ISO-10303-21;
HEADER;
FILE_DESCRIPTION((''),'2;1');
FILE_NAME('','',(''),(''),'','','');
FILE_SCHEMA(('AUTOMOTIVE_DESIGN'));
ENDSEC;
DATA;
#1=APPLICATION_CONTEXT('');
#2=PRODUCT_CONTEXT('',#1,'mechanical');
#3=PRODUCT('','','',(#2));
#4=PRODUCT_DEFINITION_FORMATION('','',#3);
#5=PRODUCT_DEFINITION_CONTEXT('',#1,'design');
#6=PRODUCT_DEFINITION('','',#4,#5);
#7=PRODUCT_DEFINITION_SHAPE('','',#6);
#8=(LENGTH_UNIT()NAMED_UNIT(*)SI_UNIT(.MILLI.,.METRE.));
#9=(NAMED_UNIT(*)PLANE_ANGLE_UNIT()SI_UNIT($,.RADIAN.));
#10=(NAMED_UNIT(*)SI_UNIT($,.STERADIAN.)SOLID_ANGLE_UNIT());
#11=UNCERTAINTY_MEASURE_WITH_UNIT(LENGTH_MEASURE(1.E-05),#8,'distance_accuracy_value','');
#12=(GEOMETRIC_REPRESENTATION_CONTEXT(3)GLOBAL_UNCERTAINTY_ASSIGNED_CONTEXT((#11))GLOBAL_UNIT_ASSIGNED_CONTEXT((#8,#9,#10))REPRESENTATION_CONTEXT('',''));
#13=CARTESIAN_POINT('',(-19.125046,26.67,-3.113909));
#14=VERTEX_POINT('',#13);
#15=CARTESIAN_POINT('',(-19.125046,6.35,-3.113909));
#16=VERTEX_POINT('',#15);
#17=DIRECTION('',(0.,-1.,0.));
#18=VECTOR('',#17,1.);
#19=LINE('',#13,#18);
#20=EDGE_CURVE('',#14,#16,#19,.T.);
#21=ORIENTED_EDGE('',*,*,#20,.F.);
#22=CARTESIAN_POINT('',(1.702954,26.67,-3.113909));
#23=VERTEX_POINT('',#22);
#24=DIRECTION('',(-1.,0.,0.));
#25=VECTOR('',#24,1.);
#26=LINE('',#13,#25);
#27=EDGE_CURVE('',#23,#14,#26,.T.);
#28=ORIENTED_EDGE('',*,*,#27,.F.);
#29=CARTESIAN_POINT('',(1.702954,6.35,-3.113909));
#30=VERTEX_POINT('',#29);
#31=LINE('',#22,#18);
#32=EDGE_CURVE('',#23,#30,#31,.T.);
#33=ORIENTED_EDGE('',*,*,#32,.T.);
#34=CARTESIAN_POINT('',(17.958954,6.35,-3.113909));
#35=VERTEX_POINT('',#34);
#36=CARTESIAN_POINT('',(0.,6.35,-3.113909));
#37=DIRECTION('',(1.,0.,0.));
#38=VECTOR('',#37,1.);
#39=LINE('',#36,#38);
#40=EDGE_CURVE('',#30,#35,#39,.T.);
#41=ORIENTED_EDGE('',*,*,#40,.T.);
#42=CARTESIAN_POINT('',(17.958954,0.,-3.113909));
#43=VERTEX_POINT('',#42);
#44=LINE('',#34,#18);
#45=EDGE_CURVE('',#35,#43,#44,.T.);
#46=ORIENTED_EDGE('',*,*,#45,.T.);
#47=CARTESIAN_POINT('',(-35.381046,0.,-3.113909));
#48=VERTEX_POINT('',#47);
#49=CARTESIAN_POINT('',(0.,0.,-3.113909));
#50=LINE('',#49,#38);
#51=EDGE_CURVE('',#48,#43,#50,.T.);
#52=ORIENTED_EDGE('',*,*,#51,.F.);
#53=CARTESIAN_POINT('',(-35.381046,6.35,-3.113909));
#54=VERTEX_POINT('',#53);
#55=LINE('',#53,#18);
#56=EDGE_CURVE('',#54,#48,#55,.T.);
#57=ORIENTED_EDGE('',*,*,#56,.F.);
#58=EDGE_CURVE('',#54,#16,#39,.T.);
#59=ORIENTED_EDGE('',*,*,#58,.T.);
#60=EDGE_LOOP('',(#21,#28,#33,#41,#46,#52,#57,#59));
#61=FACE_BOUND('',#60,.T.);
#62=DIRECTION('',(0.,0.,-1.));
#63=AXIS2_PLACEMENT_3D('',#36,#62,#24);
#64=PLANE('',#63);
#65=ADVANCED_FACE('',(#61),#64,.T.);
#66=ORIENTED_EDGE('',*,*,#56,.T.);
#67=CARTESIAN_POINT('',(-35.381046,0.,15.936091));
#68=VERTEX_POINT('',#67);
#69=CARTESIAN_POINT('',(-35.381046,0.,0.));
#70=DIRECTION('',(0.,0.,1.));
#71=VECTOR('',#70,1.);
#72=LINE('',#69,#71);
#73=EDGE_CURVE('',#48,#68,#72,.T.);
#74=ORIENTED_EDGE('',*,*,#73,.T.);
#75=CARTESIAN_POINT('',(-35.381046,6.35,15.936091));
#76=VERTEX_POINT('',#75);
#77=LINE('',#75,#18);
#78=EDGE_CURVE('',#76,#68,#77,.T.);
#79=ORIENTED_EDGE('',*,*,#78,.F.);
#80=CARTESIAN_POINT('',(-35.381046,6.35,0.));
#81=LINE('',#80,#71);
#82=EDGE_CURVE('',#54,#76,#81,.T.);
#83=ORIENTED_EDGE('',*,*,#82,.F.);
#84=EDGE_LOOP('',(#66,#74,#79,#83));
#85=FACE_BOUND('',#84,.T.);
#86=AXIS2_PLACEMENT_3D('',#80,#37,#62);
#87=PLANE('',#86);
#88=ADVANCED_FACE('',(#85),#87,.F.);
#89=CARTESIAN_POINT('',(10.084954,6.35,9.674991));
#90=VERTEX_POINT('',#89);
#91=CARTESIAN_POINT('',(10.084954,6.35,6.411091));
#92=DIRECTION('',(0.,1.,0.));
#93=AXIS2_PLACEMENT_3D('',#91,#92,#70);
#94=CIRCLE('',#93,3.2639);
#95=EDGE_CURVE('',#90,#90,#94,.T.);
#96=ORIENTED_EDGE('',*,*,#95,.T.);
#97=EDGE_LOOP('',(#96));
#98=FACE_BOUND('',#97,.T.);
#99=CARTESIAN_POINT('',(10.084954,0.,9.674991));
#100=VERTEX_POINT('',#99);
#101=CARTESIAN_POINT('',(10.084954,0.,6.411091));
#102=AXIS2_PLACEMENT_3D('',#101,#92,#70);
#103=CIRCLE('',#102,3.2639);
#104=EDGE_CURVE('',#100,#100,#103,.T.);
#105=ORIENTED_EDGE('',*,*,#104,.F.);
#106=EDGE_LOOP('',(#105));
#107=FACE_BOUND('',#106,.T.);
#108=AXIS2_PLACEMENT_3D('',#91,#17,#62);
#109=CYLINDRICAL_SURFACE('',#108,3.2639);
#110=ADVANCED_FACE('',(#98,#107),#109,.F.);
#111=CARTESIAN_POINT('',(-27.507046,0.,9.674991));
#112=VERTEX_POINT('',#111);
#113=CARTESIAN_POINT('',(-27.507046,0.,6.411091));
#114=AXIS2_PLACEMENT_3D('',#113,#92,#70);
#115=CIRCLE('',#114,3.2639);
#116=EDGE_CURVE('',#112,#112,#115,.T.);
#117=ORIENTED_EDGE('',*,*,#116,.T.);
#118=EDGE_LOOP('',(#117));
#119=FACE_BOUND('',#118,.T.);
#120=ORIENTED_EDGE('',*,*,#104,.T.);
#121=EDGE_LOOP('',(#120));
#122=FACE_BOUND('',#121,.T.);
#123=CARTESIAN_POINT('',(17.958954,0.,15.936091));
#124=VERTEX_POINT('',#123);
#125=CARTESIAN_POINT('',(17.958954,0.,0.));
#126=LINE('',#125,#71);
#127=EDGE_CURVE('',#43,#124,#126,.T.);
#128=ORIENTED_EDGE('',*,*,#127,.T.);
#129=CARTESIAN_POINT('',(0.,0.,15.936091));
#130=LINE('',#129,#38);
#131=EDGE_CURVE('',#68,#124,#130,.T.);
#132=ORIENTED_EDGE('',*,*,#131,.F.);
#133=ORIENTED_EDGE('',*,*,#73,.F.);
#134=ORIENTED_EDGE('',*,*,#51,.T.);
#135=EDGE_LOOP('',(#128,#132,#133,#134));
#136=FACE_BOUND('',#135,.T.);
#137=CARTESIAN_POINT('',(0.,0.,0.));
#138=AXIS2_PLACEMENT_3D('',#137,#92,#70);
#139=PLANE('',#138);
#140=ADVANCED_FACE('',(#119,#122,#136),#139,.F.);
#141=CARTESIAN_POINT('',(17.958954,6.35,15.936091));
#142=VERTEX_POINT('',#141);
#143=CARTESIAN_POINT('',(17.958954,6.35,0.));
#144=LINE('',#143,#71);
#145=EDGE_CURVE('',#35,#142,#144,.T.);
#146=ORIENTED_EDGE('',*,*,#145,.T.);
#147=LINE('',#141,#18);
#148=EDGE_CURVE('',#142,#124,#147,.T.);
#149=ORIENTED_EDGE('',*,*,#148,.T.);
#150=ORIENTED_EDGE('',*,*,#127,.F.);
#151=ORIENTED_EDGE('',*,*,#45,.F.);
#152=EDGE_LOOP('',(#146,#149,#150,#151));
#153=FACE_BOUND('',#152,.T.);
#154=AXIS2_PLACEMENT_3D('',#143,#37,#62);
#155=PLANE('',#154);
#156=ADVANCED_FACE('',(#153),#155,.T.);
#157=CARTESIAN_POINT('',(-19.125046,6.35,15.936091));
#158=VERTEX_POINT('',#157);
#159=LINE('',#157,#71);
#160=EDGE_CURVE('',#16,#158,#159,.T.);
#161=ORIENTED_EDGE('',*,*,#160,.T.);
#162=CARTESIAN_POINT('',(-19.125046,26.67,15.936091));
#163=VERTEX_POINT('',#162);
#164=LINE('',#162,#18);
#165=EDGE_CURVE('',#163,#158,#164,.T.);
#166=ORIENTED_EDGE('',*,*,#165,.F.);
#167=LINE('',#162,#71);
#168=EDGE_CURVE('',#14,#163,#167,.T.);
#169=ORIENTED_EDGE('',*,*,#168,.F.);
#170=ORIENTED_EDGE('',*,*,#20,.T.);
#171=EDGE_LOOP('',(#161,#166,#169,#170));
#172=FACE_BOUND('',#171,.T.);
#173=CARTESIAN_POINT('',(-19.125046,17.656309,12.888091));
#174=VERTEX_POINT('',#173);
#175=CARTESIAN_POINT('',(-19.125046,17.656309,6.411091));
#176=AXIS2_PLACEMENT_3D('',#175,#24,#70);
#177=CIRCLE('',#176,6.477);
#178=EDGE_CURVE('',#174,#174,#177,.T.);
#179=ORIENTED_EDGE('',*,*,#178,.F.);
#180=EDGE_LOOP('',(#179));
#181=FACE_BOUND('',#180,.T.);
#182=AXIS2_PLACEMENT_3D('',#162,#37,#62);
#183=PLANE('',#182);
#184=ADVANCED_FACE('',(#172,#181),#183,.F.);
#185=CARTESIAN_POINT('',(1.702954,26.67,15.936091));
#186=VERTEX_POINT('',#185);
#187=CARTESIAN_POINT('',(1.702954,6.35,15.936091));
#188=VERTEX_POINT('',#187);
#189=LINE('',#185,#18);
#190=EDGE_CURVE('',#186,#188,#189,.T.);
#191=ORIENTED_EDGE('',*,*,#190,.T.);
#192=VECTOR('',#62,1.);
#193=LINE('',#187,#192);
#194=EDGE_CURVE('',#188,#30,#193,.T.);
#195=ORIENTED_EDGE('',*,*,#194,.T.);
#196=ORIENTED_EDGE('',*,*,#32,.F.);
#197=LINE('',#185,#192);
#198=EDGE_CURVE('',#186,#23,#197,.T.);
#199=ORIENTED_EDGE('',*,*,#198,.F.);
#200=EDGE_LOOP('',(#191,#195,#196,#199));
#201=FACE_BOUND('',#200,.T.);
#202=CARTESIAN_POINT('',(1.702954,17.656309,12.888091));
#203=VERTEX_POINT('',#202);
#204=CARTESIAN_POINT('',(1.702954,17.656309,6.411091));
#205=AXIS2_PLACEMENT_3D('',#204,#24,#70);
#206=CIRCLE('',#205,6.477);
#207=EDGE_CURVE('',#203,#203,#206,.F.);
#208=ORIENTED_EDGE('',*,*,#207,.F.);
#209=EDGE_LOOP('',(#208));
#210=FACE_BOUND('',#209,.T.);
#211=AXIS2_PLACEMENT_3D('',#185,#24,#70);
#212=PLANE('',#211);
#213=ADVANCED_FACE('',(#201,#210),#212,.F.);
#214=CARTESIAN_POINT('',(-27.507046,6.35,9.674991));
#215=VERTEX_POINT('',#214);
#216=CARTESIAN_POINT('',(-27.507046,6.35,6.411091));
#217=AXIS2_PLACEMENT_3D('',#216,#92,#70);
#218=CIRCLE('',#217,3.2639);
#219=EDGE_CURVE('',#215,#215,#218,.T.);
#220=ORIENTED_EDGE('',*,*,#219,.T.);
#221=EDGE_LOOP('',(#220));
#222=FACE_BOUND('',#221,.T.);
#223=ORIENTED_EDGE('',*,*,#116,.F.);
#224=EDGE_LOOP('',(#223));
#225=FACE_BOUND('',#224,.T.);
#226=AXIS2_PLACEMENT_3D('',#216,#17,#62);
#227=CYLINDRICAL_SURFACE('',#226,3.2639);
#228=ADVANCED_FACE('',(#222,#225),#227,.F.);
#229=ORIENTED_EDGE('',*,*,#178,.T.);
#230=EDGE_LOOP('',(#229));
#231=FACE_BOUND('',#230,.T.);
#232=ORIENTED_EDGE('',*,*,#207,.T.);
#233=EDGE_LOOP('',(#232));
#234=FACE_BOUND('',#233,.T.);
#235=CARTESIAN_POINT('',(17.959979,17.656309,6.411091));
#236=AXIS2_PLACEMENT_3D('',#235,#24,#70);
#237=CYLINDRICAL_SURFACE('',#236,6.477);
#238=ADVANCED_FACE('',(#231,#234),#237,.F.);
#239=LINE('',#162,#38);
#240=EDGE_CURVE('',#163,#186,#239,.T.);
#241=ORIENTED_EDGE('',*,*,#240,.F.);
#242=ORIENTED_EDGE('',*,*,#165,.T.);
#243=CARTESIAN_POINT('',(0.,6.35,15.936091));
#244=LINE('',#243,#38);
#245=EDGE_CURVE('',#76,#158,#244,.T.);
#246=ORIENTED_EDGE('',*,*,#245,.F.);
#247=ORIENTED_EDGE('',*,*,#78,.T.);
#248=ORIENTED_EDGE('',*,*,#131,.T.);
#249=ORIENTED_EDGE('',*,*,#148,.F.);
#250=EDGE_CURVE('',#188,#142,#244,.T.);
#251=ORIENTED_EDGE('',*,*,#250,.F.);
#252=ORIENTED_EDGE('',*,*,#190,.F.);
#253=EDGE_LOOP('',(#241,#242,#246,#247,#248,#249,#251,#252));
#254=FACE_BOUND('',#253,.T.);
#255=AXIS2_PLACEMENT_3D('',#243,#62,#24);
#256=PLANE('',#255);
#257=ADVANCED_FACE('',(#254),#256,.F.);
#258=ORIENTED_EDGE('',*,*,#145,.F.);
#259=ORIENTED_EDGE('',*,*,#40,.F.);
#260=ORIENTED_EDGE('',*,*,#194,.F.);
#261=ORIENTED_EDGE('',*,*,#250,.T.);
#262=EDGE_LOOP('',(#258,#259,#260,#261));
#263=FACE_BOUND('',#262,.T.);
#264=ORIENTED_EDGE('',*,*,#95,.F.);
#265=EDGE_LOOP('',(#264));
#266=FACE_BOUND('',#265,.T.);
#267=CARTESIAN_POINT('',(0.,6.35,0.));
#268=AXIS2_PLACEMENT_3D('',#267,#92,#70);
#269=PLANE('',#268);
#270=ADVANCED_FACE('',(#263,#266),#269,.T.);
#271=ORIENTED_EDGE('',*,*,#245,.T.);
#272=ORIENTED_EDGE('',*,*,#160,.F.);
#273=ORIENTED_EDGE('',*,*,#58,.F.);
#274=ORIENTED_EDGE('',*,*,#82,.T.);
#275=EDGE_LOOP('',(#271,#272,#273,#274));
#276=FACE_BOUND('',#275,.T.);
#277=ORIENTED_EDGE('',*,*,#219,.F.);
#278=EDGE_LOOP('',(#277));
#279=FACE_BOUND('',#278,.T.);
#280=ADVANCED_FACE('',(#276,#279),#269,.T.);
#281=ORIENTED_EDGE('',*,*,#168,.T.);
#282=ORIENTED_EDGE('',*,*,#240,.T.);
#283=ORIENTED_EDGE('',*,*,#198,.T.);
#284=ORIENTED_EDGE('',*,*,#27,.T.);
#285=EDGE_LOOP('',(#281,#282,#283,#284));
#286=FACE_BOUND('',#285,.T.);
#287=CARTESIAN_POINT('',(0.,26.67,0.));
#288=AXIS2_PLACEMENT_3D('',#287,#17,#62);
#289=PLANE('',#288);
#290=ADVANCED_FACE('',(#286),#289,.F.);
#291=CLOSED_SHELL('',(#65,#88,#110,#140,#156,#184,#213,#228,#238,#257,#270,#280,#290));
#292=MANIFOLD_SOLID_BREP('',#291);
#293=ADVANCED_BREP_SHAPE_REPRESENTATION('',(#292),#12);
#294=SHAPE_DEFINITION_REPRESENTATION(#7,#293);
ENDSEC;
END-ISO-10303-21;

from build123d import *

# Parameters (mm, degrees)
SKETCH1_W           = 15.494
SKETCH1_H           = 19.05
SKETCH1_R           = 3.2639
SKETCH1_W_2         = 22.352
BOSS_EXTRUDE3_DEPTH = 6.35
SKETCH3_W           = 20.828
SKETCH3_H           = 19.05
BOSS_EXTRUDE4_DEPTH = 20.32
CUT_EXTRUDE1_REACH  = 39.084
SKETCH4_R           = 6.477


with BuildPart() as part:
    # Sketch1 → Boss-Extrude3 (new body)
    with BuildSketch(Plane(origin=(0, 0, 0), x_dir=(1, 0, 0), z_dir=(0, 1, 0))):
        with Locations((-27.634045528, -6.411090754)):
            Rectangle(SKETCH1_W, SKETCH1_H)
        with Locations((-27.507045528, -6.411090754)):
            Circle(SKETCH1_R, mode=Mode.SUBTRACT)
        with Locations((-8.711045528, -6.411090754)):
            Rectangle(SKETCH1_W_2, SKETCH1_H)
        with Locations((10.211954472, -6.411090754)):
            Rectangle(SKETCH1_W, SKETCH1_H)
        with Locations((10.084954472, -6.411090754)):
            Circle(SKETCH1_R, mode=Mode.SUBTRACT)
    extrude(amount=BOSS_EXTRUDE3_DEPTH)

    # Sketch3 → Boss-Extrude4 (add)
    with BuildSketch(Plane(origin=(0, 6.35, 0), x_dir=(1, 0, 0), z_dir=(0, 1, 0))):
        with Locations((-8.711045528, -6.411090754)):
            Rectangle(SKETCH3_W, SKETCH3_H)
    extrude(amount=BOSS_EXTRUDE4_DEPTH)

    # Sketch4 → Cut-Extrude1 (cut, up to next)
    with BuildSketch(Plane.ZY.offset(19.125045528), mode=Mode.PRIVATE) as cut_extrude1_sk1:
        with Locations((6.411090754, 17.656309415)):
            Circle(SKETCH4_R)
    cut_extrude1_tool1 = extrude(cut_extrude1_sk1.sketch, amount=-CUT_EXTRUDE1_REACH, mode=Mode.PRIVATE) & part.part
    add(cut_extrude1_tool1.solids().sort_by_distance((-19.125046, 17.656309, 6.411091))[0], mode=Mode.SUBTRACT)


solid = part.part
